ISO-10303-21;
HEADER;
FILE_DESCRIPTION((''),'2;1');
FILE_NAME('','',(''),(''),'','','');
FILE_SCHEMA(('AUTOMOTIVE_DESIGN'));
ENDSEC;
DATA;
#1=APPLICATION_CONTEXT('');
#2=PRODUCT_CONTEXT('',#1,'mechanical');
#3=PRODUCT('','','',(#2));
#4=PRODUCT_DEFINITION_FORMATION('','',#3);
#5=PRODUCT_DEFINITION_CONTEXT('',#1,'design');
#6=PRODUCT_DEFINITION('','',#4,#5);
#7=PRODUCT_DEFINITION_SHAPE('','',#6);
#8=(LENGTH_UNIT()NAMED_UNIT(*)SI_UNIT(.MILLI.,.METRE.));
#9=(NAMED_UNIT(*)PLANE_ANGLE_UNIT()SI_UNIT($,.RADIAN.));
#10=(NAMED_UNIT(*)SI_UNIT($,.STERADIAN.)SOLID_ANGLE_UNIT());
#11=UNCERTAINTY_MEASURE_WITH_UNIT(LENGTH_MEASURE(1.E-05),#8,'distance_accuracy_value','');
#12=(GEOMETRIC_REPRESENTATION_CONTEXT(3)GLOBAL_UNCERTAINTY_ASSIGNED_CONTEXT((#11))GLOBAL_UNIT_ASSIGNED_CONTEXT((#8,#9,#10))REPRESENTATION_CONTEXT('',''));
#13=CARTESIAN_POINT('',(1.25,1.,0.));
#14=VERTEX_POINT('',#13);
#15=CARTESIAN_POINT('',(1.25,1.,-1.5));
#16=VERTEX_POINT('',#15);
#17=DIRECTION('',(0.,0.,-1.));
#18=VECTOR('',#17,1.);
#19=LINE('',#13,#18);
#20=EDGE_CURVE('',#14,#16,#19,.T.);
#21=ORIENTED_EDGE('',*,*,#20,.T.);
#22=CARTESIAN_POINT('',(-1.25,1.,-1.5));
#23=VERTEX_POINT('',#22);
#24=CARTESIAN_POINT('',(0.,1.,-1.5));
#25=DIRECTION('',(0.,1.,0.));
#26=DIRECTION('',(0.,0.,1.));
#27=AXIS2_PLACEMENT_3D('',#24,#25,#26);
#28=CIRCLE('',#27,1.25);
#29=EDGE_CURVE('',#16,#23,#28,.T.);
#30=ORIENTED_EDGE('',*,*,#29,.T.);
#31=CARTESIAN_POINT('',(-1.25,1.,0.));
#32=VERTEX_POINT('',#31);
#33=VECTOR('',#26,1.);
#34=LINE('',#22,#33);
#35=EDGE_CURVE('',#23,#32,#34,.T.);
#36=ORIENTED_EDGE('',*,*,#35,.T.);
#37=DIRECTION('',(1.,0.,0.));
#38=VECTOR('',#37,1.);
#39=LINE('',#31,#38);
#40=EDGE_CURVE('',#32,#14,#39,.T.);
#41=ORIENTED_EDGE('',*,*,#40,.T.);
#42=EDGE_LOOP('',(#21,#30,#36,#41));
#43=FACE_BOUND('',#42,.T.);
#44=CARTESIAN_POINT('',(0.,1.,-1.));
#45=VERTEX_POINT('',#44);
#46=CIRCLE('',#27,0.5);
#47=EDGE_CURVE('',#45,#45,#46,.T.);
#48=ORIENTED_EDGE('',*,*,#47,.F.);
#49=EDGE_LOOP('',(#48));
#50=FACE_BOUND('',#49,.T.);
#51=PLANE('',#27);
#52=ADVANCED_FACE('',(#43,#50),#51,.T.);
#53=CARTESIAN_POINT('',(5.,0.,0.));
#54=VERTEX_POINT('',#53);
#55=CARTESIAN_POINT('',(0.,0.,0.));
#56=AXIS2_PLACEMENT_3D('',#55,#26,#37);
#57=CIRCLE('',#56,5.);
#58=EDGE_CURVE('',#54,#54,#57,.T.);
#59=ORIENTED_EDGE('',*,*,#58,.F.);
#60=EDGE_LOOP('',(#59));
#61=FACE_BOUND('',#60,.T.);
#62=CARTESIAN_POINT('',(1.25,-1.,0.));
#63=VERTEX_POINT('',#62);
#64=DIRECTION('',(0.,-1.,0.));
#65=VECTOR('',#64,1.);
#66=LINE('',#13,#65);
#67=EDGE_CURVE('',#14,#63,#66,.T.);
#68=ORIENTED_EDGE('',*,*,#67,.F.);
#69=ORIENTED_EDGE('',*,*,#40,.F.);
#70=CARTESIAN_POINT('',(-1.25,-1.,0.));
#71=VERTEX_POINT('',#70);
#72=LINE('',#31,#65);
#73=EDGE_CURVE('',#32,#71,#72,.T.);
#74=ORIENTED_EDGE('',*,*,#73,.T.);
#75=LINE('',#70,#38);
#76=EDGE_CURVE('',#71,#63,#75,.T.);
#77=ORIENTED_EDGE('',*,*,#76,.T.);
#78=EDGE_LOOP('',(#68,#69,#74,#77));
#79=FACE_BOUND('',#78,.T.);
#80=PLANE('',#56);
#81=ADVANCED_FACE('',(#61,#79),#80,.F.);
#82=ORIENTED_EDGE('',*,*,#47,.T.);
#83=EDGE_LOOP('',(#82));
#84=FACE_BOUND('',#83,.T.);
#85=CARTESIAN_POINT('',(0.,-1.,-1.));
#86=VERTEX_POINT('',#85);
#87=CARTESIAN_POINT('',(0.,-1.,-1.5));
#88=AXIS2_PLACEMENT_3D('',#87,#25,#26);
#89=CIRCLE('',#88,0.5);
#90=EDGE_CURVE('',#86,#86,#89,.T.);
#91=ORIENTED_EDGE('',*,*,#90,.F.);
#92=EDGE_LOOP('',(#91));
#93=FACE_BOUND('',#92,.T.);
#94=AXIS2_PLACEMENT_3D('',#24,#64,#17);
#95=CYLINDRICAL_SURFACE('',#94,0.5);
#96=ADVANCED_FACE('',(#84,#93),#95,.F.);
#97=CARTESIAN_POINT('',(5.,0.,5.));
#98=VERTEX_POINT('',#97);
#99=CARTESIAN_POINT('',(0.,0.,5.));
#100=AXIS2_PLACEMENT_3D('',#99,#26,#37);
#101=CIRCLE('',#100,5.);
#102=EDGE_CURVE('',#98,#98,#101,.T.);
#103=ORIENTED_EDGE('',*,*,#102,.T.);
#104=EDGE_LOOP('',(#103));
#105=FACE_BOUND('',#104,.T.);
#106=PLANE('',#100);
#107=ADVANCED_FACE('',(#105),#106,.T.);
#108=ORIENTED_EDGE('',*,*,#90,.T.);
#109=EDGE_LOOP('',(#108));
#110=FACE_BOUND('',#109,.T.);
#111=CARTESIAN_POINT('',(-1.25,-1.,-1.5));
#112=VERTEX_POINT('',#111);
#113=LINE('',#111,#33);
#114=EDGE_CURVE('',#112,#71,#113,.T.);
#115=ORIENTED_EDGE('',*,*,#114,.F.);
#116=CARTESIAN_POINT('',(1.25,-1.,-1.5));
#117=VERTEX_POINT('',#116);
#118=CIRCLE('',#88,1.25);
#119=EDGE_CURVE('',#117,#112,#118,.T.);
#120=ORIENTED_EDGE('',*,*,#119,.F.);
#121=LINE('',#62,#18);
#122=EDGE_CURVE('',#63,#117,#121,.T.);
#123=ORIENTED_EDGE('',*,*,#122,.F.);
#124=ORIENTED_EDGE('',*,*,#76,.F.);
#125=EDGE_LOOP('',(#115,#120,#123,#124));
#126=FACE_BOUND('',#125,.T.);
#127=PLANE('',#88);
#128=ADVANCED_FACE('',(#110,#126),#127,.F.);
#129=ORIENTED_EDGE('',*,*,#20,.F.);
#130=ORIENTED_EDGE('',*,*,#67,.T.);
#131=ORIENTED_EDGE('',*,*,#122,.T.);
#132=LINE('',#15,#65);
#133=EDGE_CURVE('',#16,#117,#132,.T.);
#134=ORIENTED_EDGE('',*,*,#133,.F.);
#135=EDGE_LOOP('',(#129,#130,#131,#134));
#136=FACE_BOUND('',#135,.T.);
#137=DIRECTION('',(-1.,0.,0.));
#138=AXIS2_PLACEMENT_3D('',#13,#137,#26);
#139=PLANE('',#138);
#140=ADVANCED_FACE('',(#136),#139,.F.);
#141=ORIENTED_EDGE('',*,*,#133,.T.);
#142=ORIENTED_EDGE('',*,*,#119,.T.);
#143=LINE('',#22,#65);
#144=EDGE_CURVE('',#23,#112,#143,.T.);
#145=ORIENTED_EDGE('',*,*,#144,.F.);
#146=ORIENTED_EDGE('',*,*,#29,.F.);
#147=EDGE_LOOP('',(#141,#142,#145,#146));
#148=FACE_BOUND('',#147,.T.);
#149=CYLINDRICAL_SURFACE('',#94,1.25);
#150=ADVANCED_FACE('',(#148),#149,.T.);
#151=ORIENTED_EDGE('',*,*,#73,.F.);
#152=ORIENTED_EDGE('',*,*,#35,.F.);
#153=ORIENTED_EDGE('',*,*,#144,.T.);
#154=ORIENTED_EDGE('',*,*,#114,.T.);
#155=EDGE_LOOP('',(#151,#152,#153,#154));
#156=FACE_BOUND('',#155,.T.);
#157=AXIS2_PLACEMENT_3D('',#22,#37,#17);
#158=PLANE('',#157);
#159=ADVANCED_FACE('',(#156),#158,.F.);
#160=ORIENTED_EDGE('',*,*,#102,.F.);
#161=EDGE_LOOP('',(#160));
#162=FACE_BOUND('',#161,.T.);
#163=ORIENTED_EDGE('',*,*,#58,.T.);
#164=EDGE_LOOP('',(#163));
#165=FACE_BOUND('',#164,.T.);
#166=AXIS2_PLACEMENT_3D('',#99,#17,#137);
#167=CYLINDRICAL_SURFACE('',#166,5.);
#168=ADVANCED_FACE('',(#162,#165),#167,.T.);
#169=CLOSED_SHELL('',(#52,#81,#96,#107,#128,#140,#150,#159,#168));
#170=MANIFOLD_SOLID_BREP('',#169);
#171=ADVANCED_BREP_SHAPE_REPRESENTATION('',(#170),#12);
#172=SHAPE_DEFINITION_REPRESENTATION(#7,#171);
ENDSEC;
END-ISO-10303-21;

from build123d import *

# Parameters (mm, degrees)
SKETCH1_R           = 5
BOSS_EXTRUDE1_DEPTH = 5
SKETCH2_R           = 0.5
BOSS_EXTRUDE2_DEPTH = 1


with BuildPart() as part:
    # Sketch1 → Boss-Extrude1 (new body)
    with BuildSketch(Plane.XY):
        Circle(SKETCH1_R)
    extrude(amount=BOSS_EXTRUDE1_DEPTH)

    # Sketch2 → Boss-Extrude2 (add, symmetric)
    with BuildSketch(Plane(origin=(0, 0, 0), x_dir=(1, 0, 0), z_dir=(0, 1, 0))):
        with BuildLine():
            Line((-1.25, 0), (1.25, 0))
            Line((1.25, 0), (1.25, 1.5))
            ThreePointArc((1.25, 1.5), (0, 2.75), (-1.25, 1.5))
            Line((-1.25, 1.5), (-1.25, 0))
        make_face()
        with Locations(Location((0, 1.5, 0), (0, 0, 270))):
            Circle(SKETCH2_R, mode=Mode.SUBTRACT)
    extrude(amount=BOSS_EXTRUDE2_DEPTH, both=True)


solid = part.part
